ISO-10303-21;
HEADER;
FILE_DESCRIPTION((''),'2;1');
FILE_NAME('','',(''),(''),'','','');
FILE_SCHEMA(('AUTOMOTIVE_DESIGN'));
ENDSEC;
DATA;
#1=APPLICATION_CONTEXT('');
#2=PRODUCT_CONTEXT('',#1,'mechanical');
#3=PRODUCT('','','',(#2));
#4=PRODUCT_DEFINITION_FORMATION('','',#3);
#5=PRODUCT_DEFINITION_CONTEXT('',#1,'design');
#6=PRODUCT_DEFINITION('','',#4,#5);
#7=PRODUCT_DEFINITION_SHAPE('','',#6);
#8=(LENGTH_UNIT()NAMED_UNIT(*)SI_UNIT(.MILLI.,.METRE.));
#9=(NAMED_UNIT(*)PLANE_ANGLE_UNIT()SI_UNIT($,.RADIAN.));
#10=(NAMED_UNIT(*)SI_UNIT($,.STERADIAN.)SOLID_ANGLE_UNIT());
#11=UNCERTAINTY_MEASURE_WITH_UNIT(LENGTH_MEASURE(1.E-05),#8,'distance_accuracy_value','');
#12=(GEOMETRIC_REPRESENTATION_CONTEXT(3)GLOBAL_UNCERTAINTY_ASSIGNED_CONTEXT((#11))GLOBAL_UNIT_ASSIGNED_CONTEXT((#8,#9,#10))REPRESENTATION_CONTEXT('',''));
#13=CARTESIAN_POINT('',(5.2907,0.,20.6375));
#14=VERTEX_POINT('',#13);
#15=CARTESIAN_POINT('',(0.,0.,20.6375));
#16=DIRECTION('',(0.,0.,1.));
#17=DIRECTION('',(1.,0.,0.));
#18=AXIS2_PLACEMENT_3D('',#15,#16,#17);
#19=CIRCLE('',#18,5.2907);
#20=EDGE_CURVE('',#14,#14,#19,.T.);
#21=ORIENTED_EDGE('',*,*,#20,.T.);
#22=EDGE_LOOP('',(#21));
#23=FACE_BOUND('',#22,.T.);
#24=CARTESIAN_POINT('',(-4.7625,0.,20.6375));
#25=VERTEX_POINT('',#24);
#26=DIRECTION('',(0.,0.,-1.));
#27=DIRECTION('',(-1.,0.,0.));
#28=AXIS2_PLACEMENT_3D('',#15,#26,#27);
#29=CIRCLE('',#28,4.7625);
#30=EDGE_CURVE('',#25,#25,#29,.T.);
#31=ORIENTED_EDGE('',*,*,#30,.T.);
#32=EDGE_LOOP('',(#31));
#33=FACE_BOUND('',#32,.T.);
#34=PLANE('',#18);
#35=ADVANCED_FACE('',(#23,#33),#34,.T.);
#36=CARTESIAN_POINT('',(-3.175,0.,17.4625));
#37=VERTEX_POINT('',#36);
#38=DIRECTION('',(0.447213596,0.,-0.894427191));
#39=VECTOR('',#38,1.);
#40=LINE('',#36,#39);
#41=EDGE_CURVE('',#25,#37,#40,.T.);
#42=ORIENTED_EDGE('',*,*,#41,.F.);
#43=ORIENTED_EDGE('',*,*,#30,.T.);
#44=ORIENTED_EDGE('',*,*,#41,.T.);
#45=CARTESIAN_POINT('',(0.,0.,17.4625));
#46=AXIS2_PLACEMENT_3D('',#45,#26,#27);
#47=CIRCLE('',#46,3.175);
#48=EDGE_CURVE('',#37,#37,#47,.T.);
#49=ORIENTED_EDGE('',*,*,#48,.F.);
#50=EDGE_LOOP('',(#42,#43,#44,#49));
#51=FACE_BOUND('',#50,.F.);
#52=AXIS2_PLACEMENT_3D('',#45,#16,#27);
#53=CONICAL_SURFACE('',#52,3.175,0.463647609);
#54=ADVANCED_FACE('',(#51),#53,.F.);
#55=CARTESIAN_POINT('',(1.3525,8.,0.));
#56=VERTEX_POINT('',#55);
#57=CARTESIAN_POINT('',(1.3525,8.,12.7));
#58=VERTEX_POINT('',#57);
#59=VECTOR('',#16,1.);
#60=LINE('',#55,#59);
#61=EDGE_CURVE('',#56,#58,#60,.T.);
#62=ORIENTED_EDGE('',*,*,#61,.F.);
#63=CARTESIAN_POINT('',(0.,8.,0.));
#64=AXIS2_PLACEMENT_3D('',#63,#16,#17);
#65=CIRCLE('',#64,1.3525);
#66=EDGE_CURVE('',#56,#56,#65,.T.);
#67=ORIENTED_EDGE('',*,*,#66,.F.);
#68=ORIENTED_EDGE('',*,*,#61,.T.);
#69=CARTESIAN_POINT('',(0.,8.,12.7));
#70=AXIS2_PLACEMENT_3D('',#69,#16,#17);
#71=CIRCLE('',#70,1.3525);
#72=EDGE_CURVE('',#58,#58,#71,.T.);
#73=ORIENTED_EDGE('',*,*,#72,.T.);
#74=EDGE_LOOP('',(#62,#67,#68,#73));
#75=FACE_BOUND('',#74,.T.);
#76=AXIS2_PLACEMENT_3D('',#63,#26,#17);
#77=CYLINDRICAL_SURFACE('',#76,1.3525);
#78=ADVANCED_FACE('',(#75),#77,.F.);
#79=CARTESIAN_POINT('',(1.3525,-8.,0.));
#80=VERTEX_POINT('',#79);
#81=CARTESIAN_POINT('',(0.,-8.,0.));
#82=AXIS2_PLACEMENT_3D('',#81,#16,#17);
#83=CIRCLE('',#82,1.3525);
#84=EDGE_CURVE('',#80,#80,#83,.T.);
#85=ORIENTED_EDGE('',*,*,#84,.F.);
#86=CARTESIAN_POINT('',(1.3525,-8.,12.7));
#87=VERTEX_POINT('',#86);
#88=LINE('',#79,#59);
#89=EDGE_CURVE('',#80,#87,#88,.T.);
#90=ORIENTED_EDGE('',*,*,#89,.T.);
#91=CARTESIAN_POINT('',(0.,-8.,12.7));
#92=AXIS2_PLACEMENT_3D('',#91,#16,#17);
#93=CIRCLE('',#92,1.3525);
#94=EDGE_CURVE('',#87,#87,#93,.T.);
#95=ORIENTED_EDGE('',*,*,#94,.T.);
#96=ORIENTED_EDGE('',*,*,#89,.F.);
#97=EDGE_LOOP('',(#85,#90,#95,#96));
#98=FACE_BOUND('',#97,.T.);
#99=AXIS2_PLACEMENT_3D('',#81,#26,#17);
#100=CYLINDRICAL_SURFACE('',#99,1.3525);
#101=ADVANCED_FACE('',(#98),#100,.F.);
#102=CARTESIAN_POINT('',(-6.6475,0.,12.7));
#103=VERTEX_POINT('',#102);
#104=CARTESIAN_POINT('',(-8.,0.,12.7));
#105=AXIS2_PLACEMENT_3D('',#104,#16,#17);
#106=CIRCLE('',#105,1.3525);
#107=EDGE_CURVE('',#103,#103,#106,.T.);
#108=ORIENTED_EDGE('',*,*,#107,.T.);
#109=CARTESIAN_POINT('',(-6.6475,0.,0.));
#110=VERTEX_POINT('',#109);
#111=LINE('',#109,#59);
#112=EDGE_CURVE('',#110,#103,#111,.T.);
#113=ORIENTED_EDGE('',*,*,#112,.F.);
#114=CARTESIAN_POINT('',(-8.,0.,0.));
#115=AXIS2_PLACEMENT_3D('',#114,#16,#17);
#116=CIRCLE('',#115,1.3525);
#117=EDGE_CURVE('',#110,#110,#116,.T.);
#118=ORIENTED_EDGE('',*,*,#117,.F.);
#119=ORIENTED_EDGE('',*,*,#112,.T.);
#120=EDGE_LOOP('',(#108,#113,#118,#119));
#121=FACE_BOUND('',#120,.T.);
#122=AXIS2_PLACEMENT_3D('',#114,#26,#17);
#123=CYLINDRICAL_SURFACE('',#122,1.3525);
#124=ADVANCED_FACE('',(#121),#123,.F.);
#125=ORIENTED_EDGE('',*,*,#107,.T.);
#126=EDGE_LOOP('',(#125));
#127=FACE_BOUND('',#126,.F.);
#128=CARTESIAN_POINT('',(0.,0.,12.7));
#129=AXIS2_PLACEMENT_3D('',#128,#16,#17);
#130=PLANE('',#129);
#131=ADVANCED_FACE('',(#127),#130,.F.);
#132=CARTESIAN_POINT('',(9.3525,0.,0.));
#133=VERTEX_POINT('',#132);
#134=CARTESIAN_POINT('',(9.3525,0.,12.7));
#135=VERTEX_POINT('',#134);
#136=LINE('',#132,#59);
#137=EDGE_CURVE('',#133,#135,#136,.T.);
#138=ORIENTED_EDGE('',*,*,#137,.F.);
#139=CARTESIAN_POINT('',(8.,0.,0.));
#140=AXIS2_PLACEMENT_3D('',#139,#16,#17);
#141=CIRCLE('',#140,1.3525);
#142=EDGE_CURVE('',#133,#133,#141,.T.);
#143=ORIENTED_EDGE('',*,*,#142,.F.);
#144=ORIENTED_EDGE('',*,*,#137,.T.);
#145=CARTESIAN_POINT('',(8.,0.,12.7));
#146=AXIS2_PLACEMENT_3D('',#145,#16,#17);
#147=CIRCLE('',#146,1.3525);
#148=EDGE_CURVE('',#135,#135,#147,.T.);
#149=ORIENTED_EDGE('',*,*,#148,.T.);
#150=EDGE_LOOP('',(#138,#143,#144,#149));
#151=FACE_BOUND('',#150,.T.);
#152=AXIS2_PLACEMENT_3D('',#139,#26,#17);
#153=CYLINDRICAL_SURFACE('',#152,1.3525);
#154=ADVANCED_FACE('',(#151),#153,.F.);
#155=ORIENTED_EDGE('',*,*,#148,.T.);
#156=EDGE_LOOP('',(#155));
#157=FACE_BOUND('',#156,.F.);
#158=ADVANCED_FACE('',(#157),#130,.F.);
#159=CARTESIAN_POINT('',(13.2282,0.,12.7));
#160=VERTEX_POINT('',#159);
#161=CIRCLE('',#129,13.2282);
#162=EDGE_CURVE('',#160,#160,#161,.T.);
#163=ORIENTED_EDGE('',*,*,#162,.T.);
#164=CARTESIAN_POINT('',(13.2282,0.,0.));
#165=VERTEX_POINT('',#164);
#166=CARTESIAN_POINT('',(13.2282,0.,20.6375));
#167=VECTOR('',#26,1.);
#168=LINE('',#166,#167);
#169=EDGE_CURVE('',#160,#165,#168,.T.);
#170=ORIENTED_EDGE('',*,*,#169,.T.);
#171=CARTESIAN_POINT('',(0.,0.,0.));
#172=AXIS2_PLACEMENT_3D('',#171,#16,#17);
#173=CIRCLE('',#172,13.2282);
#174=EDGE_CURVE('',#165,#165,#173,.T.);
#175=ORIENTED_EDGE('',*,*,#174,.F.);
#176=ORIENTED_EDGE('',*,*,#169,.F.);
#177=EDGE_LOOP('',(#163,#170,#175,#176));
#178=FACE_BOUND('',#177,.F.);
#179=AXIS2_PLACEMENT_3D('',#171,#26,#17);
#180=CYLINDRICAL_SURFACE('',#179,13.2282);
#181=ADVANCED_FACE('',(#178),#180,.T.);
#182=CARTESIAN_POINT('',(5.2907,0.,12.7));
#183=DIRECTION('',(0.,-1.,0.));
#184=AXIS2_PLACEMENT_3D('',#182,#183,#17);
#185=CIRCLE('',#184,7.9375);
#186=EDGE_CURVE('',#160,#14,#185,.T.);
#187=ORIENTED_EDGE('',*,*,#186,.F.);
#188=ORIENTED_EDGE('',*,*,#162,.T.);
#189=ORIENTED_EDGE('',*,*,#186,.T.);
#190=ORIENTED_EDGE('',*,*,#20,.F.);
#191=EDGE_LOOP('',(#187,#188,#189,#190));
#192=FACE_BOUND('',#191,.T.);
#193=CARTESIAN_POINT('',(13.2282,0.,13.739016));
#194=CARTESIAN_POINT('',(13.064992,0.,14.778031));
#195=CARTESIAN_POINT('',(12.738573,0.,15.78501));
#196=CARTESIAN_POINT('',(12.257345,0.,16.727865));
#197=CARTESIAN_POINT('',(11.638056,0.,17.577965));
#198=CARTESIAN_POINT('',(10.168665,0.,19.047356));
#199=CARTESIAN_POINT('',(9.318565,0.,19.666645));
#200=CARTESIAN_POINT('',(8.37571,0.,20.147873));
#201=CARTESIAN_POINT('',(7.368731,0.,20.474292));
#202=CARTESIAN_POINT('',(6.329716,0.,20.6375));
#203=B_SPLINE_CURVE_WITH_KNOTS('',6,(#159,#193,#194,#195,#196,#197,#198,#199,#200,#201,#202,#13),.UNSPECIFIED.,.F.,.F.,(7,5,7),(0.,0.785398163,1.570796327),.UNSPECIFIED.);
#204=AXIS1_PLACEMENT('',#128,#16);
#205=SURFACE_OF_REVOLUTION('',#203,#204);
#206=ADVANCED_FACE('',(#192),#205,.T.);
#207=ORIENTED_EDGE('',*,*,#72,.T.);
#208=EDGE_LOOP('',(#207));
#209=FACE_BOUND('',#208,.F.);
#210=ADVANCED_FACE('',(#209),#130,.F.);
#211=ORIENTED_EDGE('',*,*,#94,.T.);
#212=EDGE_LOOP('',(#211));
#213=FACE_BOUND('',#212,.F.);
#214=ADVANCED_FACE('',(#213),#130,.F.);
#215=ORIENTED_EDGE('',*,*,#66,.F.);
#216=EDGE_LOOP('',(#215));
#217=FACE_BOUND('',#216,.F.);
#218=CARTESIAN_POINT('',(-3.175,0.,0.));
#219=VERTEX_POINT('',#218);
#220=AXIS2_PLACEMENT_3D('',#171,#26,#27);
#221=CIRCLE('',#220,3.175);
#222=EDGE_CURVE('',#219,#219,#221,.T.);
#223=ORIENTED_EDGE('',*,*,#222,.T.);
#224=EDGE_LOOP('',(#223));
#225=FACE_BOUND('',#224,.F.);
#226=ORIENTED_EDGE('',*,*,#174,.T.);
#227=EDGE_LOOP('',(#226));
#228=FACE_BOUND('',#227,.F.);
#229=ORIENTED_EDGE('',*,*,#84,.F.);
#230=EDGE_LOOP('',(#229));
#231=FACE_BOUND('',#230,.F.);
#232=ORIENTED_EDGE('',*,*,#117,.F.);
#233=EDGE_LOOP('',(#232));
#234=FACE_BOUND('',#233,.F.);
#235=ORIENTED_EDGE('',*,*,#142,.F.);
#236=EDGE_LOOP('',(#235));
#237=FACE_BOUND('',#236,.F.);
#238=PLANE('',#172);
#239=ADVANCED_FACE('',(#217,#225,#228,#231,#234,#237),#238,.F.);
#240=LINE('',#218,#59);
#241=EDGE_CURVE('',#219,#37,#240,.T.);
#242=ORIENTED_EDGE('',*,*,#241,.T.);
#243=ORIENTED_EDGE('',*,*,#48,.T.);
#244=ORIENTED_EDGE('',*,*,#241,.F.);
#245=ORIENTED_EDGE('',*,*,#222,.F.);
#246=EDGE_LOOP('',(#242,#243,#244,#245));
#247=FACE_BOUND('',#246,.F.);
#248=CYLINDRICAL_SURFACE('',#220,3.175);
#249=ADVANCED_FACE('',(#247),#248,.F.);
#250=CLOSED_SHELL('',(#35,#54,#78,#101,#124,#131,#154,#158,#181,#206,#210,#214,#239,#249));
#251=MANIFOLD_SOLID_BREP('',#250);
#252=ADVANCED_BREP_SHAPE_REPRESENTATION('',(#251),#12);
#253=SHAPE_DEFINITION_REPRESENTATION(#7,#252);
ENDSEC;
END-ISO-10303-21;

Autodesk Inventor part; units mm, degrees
ref_plane "YZ Plane" through (0, 0, 0) normal (1, 0, 0) x (0, 1, 0)
ref_plane "XZ Plane" through (0, 0, 0) normal (0, 1, 0) x (-1, 0, 0)
ref_plane "XY Plane" through (0, 0, 0) normal (0, 0, 1) x (1, 0, 0)
sketch "Sketch1" plane through (0, 0, 0) normal (0, 0, 1) x (1, 0, 0)
  circle A0 centre (0, 0) radius 13.2282
  circle A1 centre (0, 0) radius 3.05
  circle A2 centre (-8, 0) radius 1.3525
  circle A3 centre (0, 8) radius 1.3525
  circle A4 centre (8, 0) radius 1.3525
  circle A5 centre (0, -8) radius 1.3525
  dimension "d12" = 6.1
  dimension "d13" = 2.705
  dimension "d14" = 2.705
  dimension "d15" = 2.705
  dimension "d16" = 2.705
extrude "Extrusion1" add sketch "Sketch1" along normal blind 12.7
sketch "Sketch7" plane through (0, 0, 12.7) normal (0, 0, 1) x (1, 0, 0)
  circle A0 centre (0, 0) radius 3.05
  circle A1 centre (0, 0) radius 13.2282 projected
extrude "Extrusion6" add sketch "Sketch7" along normal blind 7.9375
fillet "Fillet2" radius 7.9375 1 edges at (-13.2282, 0, 20.6375)
sketch "Sketch8" plane through (0, 0, 0) normal (0, 0, -1) x (-1, 0, 0)
  circle A0 centre (0, 0) radius 3.175
  dimension "d21" = 6.35
extrude "Extrusion7" cut sketch "Sketch8" against normal through all
chamfer "Chamfer1" distance 1.5875 distance2 3.175 1 edges at (3.175, 0, 20.6375) measured on face at (4.5034, -0.6753, 20.6375)
properties part number "adaptor"
